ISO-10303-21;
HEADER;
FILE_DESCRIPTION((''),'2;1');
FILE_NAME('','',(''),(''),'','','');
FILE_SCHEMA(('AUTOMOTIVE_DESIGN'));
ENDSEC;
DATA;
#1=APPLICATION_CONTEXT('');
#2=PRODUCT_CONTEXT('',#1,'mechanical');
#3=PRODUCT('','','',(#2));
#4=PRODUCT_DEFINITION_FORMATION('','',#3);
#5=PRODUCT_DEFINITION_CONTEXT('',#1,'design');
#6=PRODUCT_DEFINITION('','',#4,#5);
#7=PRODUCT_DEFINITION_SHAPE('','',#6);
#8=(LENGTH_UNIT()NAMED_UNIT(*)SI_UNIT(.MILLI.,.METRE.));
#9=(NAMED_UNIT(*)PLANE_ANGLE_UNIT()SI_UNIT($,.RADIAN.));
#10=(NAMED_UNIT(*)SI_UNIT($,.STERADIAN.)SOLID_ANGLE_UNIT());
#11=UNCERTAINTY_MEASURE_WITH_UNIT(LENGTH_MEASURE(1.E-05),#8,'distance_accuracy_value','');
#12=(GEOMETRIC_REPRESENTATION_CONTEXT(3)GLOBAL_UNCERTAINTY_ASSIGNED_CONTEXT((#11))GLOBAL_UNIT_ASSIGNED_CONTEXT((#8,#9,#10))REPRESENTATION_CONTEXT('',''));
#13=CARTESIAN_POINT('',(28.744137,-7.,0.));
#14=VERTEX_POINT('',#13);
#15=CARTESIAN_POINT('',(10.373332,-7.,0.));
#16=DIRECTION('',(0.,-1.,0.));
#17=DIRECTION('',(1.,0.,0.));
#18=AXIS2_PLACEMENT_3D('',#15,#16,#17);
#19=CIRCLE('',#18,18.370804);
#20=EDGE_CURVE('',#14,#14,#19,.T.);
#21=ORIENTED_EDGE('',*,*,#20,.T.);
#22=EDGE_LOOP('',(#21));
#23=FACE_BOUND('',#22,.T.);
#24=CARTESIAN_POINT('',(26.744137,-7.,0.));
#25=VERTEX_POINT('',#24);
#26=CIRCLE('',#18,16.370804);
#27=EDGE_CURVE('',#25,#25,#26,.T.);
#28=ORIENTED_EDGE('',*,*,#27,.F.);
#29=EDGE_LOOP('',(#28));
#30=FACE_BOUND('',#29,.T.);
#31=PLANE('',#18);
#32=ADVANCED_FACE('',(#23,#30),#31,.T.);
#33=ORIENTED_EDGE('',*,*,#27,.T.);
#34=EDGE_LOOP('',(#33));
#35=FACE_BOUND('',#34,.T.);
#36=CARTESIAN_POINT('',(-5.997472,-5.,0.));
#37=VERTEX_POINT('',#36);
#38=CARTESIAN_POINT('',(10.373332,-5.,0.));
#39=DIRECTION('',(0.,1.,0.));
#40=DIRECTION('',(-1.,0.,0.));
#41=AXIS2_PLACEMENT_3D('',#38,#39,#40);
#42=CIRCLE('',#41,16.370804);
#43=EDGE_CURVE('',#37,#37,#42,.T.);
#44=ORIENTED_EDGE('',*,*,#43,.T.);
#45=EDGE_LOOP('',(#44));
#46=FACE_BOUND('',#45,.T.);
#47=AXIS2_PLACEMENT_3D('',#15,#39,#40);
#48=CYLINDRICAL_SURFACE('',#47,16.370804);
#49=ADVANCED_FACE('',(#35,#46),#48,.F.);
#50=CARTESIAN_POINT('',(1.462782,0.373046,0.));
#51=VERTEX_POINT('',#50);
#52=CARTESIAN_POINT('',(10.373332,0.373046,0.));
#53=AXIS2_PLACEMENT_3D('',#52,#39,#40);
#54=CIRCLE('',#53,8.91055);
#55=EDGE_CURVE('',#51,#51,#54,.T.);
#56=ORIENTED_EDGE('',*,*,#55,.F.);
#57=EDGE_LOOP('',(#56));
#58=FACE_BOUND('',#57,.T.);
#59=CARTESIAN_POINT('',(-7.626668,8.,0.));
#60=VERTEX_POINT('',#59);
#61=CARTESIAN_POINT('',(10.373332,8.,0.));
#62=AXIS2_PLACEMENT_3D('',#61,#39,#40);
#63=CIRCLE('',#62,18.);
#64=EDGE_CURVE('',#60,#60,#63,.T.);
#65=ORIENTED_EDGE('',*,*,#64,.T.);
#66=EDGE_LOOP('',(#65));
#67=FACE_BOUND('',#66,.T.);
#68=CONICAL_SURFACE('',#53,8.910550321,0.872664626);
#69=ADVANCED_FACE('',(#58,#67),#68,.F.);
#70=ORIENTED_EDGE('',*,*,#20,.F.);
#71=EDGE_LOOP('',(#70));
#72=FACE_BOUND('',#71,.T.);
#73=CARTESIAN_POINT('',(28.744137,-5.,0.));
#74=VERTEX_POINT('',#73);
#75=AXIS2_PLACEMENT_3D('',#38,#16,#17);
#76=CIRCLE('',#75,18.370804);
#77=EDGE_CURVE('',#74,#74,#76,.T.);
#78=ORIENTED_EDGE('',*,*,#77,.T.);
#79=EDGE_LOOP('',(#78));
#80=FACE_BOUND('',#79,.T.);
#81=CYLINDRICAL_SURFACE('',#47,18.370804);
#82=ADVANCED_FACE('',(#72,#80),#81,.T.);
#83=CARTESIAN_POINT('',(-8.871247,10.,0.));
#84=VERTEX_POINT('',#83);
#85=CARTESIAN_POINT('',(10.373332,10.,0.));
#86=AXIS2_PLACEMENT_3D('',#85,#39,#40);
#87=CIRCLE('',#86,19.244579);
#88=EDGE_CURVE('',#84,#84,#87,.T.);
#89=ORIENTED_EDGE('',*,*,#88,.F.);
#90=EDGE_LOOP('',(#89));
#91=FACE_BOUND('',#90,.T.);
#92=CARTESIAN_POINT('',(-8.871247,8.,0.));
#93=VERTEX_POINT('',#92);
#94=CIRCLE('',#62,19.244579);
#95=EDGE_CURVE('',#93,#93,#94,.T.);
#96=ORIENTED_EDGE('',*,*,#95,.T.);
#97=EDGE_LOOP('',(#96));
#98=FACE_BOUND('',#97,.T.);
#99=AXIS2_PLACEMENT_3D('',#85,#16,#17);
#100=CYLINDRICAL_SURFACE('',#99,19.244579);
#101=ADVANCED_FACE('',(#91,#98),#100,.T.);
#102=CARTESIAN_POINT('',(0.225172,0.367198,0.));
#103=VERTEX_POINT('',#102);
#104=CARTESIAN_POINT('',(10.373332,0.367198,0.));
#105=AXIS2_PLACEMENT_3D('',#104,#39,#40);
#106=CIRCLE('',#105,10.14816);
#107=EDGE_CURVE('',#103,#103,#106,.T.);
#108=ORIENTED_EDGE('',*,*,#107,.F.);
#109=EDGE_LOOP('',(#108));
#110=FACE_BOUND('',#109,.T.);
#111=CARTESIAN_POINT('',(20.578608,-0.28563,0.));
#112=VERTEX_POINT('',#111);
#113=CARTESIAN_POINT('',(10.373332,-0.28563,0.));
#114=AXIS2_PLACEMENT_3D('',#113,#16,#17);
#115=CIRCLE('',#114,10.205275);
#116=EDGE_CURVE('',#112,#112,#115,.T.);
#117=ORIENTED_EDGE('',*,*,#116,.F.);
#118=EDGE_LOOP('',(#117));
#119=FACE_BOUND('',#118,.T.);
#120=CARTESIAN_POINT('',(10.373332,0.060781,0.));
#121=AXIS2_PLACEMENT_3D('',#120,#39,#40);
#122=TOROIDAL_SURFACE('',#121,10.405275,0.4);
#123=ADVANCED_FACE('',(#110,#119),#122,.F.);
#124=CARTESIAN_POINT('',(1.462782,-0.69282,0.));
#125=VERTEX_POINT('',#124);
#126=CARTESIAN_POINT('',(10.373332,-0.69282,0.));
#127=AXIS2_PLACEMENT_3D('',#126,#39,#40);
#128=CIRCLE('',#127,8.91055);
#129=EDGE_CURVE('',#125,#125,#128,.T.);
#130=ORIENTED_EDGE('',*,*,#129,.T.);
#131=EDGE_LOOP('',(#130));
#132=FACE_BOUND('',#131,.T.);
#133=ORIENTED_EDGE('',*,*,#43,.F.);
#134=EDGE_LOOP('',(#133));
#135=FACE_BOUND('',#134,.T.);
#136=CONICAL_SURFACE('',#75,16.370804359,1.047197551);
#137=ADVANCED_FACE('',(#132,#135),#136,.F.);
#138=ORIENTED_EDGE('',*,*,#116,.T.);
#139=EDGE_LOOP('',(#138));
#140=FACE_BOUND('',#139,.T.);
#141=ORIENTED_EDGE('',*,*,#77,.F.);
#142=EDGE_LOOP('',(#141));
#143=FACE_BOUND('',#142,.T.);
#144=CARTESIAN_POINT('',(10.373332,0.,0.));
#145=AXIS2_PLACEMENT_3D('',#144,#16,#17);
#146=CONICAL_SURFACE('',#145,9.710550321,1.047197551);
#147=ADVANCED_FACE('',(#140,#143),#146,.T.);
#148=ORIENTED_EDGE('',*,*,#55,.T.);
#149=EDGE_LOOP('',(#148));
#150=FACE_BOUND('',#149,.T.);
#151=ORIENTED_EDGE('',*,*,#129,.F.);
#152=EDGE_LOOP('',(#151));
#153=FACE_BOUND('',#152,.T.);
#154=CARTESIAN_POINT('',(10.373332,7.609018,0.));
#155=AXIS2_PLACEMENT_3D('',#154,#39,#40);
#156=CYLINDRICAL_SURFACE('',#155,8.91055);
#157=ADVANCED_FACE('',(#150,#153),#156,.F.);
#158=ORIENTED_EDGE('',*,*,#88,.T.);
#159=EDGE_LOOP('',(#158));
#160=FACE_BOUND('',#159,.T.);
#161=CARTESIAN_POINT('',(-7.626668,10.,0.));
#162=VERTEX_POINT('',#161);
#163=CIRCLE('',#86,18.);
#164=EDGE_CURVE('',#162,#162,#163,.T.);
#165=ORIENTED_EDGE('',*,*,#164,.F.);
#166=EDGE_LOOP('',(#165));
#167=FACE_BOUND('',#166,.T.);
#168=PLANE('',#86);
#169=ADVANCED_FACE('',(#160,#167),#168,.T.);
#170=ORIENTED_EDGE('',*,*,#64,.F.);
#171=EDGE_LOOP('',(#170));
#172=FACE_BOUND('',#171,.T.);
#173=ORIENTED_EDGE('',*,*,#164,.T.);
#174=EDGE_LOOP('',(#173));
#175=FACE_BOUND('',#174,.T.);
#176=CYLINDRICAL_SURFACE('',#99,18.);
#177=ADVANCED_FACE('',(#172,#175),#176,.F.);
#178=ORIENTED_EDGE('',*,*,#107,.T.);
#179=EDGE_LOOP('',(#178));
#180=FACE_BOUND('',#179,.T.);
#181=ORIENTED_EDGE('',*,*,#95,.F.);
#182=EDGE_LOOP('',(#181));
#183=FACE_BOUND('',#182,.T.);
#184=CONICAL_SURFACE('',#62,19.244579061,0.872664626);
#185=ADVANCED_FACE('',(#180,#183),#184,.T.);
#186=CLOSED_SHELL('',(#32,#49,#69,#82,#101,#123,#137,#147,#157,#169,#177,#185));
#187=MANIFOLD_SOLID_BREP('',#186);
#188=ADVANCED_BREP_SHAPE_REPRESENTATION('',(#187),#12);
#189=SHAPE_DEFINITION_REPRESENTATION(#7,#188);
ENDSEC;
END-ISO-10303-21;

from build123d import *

# Parameters (mm, degrees)
FILLET2_R           = 0.4
SKETCH2_R           = 19.244579061
SKETCH2_R_2         = 18
BOSS_EXTRUDE1_DEPTH = 2
SKETCH3_R           = 18.370804359
SKETCH3_R_2         = 16.370804359
BOSS_EXTRUDE2_DEPTH = 2


with BuildPart() as part:
    # Sketch1 → Revolve1 (revolve)
    with BuildSketch(Plane.XY):
        Polygon((0.662781953, 0), (-8.871246788, 8), (-7.626667727, 8), (1.462781953, 0.373046127), (1.462781953, -0.692820323), (-5.997472085, -5), (-7.997472085, -5), align=None)
    revolve(axis=Axis((10.373332273, 7.609018033, 0), (0, -1, 0)))

    # Fillet2
    fillet2_edges = [part.edges().sort_by_distance(p)[0] for p in [
        (20.083882594, 0, 0),
    ]]
    fillet(fillet2_edges, radius=FILLET2_R)

    # Sketch2 → Boss-Extrude1 (add)
    with BuildSketch(Plane(origin=(0, 8, 0), x_dir=(1, 0, 0), z_dir=(0, 1, 0))):
        with Locations(Location((10.373332273, 0, 0), (0, 0, 180))):
            Circle(SKETCH2_R)
        with Locations(Location((10.373332273, 0, 0), (0, 0, 180))):
            Circle(SKETCH2_R_2, mode=Mode.SUBTRACT)
    extrude(amount=BOSS_EXTRUDE1_DEPTH)

    # Sketch3 → Boss-Extrude2 (add)
    with BuildSketch(Plane.XZ.offset(5)):
        with Locations((10.373332273, 0)):
            Circle(SKETCH3_R)
        with Locations(Location((10.373332273, 0, 0), (0, 0, 180))):
            Circle(SKETCH3_R_2, mode=Mode.SUBTRACT)
    extrude(amount=BOSS_EXTRUDE2_DEPTH)


solid = part.part
